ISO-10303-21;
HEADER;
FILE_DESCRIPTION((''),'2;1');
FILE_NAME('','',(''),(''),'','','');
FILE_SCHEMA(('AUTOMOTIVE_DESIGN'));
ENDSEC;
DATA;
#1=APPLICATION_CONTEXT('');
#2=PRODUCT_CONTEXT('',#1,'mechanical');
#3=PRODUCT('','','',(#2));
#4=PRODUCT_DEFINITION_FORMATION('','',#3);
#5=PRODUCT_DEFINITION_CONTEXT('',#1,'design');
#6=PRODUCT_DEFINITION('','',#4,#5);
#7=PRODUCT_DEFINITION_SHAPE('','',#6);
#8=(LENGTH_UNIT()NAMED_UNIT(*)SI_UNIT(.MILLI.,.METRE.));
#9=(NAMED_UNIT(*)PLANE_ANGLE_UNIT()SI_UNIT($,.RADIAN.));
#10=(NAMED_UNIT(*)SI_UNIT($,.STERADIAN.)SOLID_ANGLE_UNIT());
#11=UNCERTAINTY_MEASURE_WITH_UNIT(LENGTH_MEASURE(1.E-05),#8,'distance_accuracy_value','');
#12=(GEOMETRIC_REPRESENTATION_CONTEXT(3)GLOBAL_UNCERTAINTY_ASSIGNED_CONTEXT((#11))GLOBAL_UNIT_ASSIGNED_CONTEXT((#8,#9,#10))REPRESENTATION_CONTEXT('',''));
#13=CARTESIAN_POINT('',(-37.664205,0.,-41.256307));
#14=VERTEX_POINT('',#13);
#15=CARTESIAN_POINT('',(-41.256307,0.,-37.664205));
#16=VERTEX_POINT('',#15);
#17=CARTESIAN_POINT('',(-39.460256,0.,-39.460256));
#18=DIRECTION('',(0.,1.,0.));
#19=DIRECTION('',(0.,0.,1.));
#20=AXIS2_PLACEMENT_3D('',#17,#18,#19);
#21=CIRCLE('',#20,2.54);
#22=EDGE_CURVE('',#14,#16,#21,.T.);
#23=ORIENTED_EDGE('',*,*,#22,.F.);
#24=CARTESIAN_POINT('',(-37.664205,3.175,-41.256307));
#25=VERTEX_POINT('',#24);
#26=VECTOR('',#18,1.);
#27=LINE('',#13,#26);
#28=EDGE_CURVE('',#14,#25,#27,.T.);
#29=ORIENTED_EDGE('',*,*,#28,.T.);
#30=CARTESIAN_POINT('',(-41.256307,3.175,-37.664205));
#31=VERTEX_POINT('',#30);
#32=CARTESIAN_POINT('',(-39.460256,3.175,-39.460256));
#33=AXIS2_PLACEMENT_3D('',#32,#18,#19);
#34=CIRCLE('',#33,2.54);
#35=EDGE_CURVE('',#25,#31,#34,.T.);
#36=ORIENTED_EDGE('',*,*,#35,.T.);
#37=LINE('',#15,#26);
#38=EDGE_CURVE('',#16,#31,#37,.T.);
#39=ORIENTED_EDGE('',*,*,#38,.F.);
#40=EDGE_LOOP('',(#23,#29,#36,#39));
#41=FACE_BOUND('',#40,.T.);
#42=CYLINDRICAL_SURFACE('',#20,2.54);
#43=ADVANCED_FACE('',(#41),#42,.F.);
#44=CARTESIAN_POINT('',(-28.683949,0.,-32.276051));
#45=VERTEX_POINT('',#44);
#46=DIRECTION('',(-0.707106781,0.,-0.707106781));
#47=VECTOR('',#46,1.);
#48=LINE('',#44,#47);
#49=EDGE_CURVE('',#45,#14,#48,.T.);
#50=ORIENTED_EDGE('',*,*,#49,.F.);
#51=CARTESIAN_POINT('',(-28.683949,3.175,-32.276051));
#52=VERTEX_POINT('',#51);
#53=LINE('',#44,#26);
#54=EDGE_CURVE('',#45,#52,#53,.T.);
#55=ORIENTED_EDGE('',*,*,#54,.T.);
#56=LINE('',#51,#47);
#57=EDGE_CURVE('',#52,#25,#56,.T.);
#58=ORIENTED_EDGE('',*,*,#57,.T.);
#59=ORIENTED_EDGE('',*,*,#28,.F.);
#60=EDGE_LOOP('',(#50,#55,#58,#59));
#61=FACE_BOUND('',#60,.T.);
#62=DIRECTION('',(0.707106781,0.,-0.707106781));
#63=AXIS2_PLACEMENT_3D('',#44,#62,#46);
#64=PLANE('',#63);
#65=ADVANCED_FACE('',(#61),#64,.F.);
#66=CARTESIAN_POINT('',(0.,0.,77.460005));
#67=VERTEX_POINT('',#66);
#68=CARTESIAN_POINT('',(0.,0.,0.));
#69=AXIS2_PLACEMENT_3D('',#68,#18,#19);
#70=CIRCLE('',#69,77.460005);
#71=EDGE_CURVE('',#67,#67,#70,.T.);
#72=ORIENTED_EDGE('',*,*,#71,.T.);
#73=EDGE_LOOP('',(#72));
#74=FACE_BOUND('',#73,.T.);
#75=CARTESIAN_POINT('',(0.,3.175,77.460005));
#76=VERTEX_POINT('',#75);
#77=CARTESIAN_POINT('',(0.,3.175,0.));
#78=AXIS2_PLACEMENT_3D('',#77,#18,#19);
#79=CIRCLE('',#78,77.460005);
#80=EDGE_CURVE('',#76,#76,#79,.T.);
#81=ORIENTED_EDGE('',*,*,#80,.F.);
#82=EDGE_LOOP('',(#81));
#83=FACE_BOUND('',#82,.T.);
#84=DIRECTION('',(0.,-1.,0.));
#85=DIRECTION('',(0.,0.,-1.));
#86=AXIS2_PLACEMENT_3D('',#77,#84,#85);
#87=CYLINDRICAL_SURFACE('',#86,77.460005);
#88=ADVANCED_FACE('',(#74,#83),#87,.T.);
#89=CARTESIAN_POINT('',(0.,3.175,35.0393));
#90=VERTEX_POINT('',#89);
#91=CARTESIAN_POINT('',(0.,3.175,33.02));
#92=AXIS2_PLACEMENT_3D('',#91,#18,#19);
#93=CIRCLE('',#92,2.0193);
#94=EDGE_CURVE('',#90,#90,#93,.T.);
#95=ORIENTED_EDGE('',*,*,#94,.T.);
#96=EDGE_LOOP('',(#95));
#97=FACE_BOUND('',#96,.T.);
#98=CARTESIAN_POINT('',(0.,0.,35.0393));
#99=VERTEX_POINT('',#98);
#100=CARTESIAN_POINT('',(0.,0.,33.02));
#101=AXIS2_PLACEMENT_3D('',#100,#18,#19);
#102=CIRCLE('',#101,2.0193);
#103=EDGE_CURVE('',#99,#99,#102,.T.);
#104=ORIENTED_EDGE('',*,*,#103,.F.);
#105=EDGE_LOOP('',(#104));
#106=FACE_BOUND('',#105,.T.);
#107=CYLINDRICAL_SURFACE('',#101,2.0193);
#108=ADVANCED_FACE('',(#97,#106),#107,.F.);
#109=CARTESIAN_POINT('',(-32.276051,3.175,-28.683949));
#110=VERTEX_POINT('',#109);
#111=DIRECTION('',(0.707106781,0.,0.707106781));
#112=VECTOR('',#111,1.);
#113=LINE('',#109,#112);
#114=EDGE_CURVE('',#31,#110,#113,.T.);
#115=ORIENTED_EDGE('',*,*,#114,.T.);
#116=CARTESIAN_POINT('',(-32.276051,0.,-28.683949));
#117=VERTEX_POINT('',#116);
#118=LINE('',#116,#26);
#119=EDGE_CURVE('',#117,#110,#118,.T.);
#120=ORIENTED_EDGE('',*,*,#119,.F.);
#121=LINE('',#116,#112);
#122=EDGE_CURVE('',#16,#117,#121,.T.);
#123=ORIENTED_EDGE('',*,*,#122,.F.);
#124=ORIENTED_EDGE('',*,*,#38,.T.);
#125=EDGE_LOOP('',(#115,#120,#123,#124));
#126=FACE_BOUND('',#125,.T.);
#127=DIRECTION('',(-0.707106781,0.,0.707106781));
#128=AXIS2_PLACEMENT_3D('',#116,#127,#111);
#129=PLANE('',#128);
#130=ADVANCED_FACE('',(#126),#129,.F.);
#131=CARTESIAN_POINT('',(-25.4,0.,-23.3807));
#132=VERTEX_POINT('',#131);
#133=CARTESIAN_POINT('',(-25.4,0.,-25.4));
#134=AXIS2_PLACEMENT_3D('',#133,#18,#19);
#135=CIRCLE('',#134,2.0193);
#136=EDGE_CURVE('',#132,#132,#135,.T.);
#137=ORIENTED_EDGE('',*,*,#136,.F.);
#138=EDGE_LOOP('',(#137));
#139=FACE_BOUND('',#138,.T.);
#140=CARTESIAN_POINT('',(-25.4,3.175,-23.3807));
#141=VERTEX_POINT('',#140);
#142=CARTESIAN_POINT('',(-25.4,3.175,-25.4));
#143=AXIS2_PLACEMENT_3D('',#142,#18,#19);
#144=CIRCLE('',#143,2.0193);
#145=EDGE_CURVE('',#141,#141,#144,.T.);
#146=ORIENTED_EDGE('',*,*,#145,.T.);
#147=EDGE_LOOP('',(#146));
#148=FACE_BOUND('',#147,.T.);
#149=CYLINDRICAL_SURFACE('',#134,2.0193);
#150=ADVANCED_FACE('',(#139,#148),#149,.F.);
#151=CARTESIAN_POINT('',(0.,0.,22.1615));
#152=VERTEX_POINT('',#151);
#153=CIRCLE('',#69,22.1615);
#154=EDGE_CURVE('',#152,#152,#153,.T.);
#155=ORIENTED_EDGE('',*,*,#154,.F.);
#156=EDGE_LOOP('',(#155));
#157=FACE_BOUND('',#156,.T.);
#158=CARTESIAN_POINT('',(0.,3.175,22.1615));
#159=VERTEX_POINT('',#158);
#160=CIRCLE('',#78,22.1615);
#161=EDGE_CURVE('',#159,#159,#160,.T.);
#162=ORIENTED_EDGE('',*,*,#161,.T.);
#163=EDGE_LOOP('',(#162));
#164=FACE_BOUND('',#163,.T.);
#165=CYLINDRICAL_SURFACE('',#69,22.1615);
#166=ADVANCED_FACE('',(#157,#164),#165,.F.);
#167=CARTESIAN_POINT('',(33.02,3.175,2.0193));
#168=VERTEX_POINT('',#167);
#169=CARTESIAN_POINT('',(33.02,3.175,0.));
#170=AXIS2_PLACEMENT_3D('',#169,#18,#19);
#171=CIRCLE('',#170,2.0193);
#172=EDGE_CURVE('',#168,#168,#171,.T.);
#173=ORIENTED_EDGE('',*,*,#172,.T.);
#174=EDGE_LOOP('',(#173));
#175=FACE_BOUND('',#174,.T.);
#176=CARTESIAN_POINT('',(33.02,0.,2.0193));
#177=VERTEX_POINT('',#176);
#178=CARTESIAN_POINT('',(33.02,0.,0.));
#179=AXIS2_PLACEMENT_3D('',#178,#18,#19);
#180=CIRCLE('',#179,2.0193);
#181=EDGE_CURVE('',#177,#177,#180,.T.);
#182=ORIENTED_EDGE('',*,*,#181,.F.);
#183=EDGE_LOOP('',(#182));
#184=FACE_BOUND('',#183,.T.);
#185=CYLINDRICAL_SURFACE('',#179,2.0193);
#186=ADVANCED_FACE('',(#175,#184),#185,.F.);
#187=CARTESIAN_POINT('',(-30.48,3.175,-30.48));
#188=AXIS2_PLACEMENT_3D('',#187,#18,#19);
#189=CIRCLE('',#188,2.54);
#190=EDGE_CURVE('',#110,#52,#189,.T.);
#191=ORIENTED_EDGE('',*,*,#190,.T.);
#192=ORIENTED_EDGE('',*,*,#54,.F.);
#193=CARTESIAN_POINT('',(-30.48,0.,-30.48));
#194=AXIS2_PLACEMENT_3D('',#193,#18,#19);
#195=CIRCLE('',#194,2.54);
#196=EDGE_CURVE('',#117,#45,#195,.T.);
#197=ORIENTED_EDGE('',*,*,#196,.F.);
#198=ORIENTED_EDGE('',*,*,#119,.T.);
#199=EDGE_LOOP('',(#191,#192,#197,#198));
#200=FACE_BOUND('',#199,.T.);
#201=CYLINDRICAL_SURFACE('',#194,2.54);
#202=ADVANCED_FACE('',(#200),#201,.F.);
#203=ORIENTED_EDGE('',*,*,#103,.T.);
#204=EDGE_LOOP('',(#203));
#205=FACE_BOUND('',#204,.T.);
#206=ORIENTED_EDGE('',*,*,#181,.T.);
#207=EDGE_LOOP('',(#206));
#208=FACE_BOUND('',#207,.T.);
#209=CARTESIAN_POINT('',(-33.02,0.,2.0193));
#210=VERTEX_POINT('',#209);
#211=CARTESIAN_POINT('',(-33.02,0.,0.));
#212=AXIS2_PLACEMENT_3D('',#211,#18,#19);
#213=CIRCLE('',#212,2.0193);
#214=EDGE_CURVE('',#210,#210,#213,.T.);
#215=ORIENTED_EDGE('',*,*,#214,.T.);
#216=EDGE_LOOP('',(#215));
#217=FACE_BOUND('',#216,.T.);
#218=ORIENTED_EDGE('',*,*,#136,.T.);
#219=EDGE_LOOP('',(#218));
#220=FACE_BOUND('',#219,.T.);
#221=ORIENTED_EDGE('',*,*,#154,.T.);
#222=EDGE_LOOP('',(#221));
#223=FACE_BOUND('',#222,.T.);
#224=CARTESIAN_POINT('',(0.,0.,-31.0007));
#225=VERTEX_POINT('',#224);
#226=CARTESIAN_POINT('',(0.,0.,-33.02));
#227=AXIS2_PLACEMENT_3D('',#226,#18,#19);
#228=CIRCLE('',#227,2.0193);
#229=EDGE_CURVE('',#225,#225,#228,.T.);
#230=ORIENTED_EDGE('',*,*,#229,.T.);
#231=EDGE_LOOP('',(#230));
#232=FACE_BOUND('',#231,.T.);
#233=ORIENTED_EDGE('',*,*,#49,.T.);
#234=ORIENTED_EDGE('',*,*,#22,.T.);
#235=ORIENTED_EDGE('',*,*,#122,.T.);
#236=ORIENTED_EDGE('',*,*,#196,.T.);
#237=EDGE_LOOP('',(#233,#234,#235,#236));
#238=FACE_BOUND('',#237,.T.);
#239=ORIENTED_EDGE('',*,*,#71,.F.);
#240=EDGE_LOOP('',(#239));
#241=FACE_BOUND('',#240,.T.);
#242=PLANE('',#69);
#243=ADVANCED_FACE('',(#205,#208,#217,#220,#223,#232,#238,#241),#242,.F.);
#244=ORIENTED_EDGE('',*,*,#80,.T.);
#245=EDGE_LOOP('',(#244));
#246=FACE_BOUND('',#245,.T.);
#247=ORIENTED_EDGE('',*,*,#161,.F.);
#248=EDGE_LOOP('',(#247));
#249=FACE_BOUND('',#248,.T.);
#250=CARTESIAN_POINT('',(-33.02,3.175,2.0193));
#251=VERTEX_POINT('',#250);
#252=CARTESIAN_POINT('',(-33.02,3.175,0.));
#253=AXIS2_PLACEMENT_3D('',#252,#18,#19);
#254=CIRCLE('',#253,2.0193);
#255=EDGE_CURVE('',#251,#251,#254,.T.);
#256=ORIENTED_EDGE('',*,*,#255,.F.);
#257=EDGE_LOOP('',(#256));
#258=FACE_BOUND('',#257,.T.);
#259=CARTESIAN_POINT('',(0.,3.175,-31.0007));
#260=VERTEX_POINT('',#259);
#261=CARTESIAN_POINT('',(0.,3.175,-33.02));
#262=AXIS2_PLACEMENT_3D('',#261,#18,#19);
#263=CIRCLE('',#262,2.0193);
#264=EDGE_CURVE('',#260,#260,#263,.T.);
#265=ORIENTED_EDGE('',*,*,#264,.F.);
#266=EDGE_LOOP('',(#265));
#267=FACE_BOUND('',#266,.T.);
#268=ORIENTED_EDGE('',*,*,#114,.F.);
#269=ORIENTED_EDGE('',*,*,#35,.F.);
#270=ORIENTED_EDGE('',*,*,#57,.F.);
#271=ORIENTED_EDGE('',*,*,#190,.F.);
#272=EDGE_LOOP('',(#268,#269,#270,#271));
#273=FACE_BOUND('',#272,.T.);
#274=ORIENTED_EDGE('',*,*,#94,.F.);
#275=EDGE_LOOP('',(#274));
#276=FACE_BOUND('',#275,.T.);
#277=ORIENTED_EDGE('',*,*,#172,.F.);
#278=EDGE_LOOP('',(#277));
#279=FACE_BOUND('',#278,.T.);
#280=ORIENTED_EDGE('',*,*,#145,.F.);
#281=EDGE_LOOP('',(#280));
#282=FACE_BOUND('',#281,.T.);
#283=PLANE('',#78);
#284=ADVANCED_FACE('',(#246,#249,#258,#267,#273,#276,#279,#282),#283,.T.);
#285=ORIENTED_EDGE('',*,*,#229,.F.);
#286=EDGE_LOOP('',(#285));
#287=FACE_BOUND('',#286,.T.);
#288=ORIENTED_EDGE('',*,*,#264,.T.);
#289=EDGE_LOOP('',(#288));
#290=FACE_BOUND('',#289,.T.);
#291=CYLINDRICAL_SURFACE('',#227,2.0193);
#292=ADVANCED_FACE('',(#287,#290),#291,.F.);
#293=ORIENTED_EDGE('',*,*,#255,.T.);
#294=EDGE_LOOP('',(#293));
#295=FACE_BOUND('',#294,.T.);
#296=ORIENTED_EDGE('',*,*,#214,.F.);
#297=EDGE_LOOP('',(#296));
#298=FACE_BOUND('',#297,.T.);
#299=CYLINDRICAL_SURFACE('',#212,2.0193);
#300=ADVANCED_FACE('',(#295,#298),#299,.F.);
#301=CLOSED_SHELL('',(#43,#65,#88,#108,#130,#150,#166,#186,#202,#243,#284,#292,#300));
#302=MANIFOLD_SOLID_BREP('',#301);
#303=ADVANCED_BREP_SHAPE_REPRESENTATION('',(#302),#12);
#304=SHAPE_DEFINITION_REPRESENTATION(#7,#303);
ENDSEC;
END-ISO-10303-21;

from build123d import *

# Parameters (mm, degrees)
SKETCH1_R           = 77.4600051
BOSS_EXTRUDE1_DEPTH = 3.175
SKETCH24_R          = 22.1615
SKETCH24_R_2        = 2.0193
CUT_EXTRUDE14_DEPTH = 110.590991442


with BuildPart() as part:
    # Sketch1 → Boss-Extrude1 (new body)
    with BuildSketch(Plane(origin=(0, 0, 0), x_dir=(1, 0, 0), z_dir=(0, 1, 0))):
        with Locations(Location((0, 0, 0), (0, 0, 270))):
            Circle(SKETCH1_R)
    extrude(amount=BOSS_EXTRUDE1_DEPTH)

    # Sketch24 → Cut-Extrude14 (cut, through all)
    with BuildSketch(Plane(origin=(0, 3.175, 0), x_dir=(1, 0, 0), z_dir=(0, 1, 0))):
        with Locations(Location((0, 0, 0), (0, 0, 270))):
            Circle(SKETCH24_R)
        with Locations(Location((-25.4, 25.4, 0), (0, 0, 270))):
            Circle(SKETCH24_R_2)
        with Locations(Location((0, 33.02, 0), (0, 0, 270))):
            Circle(SKETCH24_R_2)
        with Locations(Location((33.02, 0, 0), (0, 0, 270))):
            Circle(SKETCH24_R_2)
        with Locations(Location((0, -33.02, 0), (0, 0, 270))):
            Circle(SKETCH24_R_2)
        with Locations(Location((-33.02, 0, 0), (0, 0, 270))):
            Circle(SKETCH24_R_2)
        with BuildLine():
            Line((-32.276051224, 28.683948776), (-41.256307345, 37.664204897))
            ThreePointArc((-41.256307345, 37.664204897), (-41.256307345, 41.256307345), (-37.664204897, 41.256307345))
            Line((-37.664204897, 41.256307345), (-28.683948776, 32.276051224))
            ThreePointArc((-28.683948776, 32.276051224), (-28.683948776, 28.683948776), (-32.276051224, 28.683948776))
        make_face()
    extrude(amount=-CUT_EXTRUDE14_DEPTH, mode=Mode.SUBTRACT)


solid = part.part
